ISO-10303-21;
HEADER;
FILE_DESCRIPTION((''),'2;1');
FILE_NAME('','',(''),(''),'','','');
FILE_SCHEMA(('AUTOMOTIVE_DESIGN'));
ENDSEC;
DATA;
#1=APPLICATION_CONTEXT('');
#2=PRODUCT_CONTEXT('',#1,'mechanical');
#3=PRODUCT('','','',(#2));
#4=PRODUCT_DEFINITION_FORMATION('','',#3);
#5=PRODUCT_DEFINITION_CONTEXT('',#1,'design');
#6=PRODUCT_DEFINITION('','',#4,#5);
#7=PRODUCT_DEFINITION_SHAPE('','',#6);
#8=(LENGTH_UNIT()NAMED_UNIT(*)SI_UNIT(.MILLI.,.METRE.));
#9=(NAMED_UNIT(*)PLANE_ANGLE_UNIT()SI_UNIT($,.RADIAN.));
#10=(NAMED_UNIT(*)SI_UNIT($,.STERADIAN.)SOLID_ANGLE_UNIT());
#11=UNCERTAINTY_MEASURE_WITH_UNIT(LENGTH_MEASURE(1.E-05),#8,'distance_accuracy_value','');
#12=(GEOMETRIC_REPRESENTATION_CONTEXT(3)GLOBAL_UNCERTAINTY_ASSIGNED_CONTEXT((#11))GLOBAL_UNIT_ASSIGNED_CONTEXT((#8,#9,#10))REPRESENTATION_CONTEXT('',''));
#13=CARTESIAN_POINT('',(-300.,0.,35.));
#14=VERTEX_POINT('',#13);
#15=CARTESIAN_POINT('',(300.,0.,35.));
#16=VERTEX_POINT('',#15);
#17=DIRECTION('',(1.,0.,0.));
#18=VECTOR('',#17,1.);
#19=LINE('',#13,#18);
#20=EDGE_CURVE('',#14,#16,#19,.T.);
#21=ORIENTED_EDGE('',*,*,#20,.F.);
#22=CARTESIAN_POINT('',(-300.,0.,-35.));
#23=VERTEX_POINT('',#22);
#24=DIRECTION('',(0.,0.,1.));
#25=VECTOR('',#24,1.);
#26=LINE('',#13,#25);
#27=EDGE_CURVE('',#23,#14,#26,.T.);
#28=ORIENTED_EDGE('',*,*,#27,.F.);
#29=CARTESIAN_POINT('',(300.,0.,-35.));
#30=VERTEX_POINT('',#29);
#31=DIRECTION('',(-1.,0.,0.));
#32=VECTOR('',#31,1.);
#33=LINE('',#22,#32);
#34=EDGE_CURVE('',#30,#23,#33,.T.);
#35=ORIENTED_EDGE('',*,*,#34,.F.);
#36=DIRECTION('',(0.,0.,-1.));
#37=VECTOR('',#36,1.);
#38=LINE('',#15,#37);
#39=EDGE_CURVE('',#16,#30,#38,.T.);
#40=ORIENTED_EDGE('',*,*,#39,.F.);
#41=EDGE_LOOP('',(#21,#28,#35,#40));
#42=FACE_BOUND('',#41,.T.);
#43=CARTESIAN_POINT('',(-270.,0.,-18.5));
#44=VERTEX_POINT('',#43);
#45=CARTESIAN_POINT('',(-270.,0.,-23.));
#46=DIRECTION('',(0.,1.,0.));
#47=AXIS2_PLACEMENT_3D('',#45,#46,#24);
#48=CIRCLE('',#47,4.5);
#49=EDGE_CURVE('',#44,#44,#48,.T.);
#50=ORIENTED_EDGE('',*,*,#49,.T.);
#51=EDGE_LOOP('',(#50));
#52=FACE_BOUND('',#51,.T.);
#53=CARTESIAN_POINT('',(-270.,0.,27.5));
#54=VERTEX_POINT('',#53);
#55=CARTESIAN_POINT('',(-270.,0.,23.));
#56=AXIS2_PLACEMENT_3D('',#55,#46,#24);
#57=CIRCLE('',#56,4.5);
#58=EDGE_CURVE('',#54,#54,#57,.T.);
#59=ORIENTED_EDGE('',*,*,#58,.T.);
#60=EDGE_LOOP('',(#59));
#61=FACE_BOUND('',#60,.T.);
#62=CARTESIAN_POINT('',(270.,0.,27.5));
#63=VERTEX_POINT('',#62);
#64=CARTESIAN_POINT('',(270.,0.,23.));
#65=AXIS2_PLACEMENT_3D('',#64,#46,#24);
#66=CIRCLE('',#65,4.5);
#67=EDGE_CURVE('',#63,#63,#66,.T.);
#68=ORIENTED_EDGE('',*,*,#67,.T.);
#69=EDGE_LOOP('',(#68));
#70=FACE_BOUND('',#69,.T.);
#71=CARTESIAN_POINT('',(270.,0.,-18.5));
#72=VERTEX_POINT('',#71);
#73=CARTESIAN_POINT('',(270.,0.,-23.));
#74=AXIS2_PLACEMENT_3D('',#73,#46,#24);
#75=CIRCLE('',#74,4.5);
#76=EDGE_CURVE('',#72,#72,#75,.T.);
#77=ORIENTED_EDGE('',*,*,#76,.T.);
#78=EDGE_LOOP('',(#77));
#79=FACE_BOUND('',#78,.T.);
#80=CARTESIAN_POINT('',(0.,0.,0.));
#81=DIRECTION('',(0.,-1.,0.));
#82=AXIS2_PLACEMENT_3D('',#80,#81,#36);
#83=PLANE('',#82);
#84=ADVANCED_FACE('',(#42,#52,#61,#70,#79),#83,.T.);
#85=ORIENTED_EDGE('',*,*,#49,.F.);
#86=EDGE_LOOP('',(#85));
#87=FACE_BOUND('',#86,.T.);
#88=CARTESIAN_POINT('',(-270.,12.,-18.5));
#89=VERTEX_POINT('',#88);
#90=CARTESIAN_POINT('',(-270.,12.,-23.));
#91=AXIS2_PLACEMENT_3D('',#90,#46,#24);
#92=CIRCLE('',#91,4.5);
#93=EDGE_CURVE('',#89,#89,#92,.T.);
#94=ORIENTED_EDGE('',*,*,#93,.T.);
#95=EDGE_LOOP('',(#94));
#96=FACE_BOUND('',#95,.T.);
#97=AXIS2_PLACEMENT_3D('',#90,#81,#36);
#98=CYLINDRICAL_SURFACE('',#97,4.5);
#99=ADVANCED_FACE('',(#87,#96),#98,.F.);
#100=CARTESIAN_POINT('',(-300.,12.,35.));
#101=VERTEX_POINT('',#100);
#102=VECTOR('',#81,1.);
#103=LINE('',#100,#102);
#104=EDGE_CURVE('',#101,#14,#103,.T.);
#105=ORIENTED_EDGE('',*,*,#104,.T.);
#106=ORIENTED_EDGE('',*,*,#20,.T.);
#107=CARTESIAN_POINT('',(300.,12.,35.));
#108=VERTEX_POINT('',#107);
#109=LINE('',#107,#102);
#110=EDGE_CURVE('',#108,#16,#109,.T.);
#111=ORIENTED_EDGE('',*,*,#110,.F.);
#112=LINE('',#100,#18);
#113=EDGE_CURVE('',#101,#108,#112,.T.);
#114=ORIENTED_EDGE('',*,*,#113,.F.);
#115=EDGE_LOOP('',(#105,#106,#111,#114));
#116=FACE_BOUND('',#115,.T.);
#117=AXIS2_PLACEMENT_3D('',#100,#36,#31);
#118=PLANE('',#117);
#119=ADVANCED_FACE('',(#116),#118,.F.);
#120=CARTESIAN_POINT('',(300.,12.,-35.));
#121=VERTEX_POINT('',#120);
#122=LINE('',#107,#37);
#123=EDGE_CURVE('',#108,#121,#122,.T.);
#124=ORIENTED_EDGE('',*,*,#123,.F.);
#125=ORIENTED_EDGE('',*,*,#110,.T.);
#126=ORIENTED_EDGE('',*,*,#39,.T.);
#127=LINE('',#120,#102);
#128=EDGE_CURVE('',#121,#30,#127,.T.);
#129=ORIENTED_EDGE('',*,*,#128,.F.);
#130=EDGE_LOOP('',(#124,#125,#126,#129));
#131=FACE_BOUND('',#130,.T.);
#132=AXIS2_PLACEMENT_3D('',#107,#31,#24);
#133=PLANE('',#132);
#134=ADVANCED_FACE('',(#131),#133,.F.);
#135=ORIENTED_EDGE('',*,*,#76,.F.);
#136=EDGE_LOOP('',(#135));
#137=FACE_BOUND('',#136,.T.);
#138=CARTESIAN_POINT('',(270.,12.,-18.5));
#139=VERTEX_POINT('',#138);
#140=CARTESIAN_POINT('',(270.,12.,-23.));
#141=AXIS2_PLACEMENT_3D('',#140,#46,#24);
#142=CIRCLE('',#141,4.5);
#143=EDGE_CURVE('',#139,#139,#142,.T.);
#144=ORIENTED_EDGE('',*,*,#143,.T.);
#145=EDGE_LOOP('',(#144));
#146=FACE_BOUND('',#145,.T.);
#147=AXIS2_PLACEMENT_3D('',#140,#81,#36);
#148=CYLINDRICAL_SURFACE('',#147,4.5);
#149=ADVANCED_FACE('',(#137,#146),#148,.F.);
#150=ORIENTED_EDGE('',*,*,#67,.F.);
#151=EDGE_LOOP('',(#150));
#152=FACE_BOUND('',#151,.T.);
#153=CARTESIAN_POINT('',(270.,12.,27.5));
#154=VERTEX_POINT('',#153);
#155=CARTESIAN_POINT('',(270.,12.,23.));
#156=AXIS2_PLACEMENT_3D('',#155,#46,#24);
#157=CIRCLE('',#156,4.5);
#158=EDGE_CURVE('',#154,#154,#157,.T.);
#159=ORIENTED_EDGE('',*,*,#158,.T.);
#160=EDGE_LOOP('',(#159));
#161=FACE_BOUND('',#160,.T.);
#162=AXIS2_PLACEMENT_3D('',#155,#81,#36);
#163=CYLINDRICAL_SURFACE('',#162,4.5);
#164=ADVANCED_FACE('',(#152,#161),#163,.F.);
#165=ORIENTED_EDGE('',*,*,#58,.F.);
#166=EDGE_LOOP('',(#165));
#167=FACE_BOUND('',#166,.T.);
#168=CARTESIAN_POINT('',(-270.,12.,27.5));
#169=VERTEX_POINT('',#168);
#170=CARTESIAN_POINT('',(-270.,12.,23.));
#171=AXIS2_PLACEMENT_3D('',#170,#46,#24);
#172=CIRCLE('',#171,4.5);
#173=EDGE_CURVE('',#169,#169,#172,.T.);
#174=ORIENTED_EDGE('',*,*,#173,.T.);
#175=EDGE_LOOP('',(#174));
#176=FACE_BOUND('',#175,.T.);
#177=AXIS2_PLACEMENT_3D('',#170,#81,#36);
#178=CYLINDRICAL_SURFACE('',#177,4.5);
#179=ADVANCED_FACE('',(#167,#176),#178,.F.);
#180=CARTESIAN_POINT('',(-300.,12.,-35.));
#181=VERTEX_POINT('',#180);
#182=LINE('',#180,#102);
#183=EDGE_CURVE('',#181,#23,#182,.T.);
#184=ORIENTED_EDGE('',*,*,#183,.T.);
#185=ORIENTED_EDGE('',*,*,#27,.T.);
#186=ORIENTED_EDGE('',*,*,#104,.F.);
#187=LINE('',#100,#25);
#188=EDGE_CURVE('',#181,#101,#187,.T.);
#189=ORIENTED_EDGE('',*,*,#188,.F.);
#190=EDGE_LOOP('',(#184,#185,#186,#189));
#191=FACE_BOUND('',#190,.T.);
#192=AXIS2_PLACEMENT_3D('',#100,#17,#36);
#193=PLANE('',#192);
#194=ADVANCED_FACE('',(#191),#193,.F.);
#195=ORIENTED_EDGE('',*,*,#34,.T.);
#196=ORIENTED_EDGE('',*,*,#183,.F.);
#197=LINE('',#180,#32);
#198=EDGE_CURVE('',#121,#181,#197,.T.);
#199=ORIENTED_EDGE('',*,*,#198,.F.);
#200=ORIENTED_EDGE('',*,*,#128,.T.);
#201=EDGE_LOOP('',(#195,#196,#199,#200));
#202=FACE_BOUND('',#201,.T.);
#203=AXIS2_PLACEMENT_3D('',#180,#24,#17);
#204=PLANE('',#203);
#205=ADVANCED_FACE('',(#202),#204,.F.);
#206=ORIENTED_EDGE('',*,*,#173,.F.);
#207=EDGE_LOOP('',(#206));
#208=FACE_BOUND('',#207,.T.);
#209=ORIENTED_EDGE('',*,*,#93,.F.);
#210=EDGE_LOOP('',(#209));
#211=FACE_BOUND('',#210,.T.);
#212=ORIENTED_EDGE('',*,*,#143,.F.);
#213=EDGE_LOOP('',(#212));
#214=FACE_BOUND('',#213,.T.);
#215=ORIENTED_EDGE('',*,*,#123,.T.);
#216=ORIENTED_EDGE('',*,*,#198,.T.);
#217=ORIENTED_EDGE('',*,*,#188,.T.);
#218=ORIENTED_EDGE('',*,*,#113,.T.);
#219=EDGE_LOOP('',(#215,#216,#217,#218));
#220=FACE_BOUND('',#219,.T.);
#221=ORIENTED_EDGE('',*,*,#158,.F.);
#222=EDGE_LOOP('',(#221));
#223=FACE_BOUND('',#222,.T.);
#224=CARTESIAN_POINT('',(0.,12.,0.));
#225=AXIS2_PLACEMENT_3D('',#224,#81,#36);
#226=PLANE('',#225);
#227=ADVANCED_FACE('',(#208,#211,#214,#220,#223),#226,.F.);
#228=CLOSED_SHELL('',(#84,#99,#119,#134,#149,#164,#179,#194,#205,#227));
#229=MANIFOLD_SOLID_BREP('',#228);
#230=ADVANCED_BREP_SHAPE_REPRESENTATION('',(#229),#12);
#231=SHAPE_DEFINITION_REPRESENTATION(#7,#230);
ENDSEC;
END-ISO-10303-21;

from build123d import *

# Parameters (mm, degrees)
SKETCH_1_W      = 600
SKETCH_1_H      = 70
SKETCH_1_R      = 4.5
EXTRUDE_1_DEPTH = 12


with BuildPart() as part:
    # 草图1 → 凸台-拉伸1 (new body)
    with BuildSketch(Plane(origin=(0, 0, 0), x_dir=(1, 0, 0), z_dir=(0, 1, 0))):
        Rectangle(SKETCH_1_W, SKETCH_1_H)
        with Locations(Location((-270, -23, 0), (0, 0, 270))):
            Circle(SKETCH_1_R, mode=Mode.SUBTRACT)
        with Locations(Location((-270, 23, 0), (0, 0, 270))):
            Circle(SKETCH_1_R, mode=Mode.SUBTRACT)
        with Locations(Location((270, -23, 0), (0, 0, 270))):
            Circle(SKETCH_1_R, mode=Mode.SUBTRACT)
        with Locations(Location((270, 23, 0), (0, 0, 270))):
            Circle(SKETCH_1_R, mode=Mode.SUBTRACT)
    extrude(amount=EXTRUDE_1_DEPTH)


solid = part.part
